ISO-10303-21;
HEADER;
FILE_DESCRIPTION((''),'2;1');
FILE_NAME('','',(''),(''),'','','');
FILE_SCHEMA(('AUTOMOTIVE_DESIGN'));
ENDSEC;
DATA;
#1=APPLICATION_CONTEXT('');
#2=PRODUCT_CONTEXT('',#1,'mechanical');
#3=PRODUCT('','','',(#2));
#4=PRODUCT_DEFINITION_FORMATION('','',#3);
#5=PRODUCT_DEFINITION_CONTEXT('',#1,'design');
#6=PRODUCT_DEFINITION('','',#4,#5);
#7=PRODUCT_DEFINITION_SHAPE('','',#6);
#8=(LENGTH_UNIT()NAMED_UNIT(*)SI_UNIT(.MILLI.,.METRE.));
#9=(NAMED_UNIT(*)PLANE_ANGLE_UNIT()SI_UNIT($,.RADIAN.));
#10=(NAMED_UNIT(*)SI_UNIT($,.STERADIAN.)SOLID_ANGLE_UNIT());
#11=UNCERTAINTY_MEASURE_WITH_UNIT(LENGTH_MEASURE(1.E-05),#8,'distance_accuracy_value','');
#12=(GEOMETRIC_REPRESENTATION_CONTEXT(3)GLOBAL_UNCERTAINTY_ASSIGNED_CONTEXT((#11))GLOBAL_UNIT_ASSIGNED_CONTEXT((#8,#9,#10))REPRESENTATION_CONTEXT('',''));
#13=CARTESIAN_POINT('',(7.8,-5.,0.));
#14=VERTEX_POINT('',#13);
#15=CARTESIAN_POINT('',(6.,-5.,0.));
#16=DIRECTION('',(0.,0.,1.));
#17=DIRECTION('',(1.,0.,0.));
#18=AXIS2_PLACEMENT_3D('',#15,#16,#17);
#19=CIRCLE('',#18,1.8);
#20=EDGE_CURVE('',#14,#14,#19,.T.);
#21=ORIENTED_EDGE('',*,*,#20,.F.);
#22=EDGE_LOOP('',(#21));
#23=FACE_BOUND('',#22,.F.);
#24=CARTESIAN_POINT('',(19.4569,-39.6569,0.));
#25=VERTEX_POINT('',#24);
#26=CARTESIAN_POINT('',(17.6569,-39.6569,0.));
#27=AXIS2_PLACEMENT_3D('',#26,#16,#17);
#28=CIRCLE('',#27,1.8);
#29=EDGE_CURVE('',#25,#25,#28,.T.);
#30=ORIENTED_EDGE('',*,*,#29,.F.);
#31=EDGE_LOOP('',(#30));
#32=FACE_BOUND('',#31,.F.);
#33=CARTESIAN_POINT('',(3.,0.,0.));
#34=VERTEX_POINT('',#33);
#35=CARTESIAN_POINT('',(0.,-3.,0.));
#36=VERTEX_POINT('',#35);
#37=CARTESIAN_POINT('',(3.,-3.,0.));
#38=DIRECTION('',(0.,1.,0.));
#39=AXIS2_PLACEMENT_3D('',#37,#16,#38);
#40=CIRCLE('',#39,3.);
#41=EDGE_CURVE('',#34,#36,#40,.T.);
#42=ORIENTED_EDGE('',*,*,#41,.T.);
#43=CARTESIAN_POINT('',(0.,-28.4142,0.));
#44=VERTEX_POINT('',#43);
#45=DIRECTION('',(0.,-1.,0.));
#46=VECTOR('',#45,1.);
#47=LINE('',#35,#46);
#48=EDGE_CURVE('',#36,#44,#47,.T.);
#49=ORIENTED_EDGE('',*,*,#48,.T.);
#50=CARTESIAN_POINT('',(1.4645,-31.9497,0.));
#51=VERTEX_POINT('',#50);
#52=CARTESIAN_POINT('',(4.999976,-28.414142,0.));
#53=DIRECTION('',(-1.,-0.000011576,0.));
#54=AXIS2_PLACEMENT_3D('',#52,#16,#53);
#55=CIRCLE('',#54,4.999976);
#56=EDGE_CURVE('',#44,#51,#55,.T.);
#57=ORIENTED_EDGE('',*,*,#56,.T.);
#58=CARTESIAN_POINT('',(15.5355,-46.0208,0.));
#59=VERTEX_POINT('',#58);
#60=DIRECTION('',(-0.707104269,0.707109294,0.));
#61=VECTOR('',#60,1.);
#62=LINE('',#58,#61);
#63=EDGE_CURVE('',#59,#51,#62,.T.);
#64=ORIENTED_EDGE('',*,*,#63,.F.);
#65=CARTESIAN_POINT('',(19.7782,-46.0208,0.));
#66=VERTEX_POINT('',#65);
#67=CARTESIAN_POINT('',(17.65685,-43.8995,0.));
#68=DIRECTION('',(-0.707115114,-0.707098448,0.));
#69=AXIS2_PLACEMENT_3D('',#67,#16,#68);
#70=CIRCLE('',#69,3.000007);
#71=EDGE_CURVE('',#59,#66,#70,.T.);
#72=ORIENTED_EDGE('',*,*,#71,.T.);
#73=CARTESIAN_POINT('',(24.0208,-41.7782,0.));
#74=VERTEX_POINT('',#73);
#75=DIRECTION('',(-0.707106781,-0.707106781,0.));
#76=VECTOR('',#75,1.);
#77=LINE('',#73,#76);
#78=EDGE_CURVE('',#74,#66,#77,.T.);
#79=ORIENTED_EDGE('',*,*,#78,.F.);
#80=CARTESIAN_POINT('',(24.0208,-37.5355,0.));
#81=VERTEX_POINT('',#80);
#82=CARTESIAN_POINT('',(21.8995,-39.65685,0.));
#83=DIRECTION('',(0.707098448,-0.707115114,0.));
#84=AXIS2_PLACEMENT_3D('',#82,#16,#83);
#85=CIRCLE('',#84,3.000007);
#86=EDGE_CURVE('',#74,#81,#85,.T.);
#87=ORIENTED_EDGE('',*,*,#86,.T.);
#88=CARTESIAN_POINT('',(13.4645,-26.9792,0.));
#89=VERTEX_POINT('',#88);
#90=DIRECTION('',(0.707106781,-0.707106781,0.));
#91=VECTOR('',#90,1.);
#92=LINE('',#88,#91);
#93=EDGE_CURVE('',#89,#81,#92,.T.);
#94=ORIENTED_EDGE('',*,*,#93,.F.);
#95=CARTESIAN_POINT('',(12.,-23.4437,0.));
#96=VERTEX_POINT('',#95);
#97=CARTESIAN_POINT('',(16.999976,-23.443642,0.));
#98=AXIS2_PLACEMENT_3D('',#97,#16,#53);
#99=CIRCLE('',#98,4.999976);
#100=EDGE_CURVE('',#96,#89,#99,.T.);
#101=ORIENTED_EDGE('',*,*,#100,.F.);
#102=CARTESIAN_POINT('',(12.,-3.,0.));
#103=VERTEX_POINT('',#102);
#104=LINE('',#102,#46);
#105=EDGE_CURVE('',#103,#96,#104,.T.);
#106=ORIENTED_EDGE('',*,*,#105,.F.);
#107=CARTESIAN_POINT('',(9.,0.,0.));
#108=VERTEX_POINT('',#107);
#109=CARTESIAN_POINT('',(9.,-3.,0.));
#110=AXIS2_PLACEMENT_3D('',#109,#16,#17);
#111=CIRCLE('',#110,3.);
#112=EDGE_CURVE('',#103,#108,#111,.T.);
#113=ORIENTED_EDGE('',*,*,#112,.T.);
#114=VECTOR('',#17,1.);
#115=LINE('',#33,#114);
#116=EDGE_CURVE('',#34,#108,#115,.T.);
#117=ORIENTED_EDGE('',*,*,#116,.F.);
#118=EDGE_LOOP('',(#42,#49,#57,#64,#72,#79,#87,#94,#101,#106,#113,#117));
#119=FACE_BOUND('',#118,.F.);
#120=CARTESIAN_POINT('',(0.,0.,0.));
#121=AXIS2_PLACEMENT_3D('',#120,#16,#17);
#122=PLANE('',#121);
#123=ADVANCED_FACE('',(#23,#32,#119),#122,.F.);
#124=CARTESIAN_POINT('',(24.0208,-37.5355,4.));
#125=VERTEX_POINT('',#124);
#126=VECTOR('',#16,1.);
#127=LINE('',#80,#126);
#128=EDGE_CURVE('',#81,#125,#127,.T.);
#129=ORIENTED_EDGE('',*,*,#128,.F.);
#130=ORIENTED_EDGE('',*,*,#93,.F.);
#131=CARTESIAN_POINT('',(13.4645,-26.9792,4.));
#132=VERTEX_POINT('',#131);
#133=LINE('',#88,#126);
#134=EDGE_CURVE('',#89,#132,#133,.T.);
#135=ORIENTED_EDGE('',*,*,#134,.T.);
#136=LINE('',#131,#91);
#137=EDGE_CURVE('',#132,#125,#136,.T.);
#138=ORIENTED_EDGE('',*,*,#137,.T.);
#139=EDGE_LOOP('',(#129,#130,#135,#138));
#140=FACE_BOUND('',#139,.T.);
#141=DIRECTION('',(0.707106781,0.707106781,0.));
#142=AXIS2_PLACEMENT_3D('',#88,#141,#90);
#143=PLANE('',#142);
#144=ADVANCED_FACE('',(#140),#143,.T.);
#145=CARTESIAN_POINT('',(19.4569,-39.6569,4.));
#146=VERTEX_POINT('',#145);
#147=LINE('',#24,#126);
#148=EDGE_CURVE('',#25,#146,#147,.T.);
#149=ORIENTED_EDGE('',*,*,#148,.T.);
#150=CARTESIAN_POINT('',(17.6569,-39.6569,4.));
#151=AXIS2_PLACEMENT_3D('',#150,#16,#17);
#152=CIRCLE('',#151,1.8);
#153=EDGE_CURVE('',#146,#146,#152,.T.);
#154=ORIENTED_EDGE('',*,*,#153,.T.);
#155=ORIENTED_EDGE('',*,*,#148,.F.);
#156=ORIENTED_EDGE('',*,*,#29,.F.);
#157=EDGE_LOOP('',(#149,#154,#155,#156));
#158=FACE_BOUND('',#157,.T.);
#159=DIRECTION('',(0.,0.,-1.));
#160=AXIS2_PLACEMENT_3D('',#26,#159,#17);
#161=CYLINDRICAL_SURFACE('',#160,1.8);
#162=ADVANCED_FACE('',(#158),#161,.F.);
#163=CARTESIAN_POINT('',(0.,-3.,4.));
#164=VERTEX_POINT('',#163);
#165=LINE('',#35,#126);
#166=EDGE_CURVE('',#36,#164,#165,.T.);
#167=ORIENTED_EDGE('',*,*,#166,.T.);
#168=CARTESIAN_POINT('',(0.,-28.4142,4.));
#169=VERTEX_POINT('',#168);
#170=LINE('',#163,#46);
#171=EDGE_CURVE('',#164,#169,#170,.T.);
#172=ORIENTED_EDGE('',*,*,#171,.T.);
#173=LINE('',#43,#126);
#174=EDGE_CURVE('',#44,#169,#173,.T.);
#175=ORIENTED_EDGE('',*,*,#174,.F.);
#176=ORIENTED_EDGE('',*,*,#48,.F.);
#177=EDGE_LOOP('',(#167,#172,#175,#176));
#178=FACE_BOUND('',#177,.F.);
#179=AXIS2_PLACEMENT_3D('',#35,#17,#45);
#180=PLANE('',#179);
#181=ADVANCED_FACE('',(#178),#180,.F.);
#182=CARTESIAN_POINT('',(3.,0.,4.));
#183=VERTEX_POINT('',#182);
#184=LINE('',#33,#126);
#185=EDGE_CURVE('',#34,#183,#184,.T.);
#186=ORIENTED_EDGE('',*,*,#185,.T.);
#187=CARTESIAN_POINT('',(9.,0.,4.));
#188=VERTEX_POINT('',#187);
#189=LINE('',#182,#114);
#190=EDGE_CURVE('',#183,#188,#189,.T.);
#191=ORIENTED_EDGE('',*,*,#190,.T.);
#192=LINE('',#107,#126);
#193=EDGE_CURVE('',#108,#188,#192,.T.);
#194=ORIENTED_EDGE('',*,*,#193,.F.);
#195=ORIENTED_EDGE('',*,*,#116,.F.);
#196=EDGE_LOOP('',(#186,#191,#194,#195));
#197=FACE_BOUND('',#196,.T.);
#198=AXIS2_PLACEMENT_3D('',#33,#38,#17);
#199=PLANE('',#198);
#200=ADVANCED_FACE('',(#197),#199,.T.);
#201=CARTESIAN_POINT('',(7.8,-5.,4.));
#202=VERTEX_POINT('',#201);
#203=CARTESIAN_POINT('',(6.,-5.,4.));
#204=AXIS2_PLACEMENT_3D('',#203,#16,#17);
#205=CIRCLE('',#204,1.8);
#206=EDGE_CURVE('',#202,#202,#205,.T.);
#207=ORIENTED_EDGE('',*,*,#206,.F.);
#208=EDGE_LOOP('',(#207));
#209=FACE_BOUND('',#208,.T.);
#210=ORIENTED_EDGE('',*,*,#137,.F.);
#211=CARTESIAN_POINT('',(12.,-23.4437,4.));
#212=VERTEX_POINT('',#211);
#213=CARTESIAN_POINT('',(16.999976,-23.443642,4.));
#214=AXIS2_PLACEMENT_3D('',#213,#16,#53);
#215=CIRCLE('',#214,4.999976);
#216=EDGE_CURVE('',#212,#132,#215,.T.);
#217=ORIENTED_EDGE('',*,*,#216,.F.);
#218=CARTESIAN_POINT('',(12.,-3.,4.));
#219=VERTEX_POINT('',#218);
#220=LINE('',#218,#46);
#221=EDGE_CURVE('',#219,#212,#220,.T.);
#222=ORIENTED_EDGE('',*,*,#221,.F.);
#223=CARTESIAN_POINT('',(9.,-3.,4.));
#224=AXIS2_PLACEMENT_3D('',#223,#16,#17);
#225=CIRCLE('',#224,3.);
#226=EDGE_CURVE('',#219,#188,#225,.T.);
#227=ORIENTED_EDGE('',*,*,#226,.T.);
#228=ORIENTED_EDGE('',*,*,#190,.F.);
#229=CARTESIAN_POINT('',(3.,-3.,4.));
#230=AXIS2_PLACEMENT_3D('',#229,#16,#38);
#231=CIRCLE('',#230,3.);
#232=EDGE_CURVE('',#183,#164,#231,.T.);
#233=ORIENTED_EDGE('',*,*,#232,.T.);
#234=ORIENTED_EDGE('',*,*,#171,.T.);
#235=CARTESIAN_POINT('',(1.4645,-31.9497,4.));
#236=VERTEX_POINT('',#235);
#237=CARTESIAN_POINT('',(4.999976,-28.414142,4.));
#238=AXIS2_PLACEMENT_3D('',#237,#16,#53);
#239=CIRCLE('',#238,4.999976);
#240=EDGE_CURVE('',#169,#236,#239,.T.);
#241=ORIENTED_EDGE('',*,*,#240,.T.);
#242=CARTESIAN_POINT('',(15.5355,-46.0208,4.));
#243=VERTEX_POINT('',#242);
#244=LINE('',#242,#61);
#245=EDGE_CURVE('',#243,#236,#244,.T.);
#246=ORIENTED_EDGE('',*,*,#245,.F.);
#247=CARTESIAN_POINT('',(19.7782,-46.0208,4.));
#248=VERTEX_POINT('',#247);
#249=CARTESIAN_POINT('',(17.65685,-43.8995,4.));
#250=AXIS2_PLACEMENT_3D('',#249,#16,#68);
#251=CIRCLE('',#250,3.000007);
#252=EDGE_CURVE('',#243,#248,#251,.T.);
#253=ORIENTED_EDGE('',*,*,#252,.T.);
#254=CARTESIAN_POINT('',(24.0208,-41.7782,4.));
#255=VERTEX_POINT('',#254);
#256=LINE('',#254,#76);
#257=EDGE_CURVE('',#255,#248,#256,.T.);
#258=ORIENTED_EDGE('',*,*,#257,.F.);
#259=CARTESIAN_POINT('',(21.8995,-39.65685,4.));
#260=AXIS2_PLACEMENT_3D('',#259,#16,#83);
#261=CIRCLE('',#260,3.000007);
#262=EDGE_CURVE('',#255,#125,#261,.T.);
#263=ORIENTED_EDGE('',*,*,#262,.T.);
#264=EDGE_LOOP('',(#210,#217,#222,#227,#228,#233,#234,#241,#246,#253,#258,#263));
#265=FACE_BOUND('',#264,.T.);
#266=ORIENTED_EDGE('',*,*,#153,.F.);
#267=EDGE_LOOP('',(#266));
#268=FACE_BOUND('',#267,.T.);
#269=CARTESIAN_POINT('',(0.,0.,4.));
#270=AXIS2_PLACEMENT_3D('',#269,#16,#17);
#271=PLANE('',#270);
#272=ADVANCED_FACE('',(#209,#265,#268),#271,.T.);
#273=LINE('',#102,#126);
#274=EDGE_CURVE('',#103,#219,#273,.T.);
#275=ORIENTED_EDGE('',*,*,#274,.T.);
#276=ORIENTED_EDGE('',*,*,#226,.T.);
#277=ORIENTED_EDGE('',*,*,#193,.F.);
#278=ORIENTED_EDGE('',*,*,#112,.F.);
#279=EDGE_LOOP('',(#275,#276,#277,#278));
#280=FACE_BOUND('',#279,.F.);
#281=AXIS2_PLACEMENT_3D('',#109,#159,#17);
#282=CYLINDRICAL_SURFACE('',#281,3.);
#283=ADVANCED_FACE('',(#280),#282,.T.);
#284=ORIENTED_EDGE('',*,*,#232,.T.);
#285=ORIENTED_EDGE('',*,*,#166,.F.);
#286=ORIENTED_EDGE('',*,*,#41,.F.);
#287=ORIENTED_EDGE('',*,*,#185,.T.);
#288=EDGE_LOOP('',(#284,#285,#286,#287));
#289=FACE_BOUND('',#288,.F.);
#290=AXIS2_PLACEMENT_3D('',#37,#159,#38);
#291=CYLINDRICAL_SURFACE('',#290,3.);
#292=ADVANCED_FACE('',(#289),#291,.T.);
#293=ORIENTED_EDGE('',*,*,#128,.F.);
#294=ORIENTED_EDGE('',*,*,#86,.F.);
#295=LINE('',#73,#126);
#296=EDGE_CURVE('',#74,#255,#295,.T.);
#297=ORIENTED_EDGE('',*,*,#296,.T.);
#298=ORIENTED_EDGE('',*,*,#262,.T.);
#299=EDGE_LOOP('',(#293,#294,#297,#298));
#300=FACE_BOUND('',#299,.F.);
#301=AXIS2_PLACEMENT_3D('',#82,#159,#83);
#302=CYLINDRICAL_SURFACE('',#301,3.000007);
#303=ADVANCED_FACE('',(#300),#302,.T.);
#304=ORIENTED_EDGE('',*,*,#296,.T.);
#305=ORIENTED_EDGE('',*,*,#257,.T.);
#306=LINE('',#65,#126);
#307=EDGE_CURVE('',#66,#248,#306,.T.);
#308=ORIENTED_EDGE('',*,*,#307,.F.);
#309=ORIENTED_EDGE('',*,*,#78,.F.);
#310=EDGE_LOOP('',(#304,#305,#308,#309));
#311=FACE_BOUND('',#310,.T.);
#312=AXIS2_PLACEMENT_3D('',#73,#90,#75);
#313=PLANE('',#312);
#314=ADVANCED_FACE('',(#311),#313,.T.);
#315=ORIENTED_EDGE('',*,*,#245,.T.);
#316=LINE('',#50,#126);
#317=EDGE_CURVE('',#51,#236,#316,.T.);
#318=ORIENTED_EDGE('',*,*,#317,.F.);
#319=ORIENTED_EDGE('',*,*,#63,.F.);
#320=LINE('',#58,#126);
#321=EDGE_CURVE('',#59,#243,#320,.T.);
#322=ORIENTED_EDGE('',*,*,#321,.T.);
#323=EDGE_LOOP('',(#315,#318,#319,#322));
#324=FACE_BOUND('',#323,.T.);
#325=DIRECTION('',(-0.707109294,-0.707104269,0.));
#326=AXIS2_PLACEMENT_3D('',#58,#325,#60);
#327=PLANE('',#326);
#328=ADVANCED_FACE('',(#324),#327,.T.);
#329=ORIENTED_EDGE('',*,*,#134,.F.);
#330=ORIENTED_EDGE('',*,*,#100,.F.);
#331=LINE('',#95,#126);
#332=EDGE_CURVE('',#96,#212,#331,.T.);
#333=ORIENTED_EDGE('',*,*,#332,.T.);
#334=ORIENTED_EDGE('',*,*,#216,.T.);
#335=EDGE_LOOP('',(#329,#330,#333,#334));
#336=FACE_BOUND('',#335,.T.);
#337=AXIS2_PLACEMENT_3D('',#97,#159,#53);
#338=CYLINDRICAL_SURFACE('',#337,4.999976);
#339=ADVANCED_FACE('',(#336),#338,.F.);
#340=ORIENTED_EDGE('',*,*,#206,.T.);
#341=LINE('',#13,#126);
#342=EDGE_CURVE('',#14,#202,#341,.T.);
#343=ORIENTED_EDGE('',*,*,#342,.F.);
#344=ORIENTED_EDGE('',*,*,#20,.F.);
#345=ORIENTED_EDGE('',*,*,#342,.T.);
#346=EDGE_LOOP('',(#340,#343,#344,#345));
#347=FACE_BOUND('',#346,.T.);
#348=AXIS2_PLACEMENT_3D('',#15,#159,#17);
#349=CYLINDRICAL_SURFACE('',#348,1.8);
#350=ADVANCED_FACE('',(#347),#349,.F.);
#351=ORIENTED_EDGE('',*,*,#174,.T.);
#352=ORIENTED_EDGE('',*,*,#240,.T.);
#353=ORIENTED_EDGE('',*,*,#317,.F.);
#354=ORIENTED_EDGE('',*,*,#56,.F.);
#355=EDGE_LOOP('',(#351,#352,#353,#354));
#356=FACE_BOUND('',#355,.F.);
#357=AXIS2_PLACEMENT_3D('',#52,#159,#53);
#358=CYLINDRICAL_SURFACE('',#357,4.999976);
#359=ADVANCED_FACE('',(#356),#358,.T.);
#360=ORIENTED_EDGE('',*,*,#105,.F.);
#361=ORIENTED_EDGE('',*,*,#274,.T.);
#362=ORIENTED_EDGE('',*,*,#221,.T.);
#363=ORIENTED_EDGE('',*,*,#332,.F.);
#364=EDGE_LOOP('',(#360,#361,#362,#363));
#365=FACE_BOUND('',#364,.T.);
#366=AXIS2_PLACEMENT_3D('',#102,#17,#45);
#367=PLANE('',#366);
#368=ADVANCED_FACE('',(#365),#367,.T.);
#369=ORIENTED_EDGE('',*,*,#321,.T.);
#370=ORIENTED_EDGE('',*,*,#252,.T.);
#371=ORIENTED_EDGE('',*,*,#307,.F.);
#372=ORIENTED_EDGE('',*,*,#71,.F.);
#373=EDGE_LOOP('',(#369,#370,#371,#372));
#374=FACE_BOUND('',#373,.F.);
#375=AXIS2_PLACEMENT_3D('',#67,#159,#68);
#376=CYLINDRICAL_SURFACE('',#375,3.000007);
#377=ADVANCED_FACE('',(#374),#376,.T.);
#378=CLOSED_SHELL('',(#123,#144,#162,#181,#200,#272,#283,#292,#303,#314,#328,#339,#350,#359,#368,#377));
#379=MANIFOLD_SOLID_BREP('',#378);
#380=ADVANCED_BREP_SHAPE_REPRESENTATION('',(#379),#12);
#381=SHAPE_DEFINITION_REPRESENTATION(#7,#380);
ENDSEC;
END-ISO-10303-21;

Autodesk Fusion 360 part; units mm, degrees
sketch "Sketch1" plane through (0, 0, 0) normal (0, 0, 1) x (1, 0, 0)
  line L0 (0, -3) -> (0, -28.4142)
  line L1 (3, 0) -> (9, 0)
  line L2 (12, -3) -> (12, -23.4437)
  circle A0 centre (6, -5) radius 1.8
  arc A1 (3, 0) -> (0, -3) centre (3, -3) ccw
  arc A2 (12, -3) -> (9, 0) centre (9, -3) ccw
  line L3 (13.4645, -26.9792) -> (24.0208, -37.5355)
  line L4 (24.0208, -41.7782) -> (19.7782, -46.0208)
  line L5 (15.5355, -46.0208) -> (1.4645, -31.9497)
  arc A3 (24.0208, -41.7782) -> (24.0208, -37.5355) centre (21.8995, -39.6569) ccw
  arc A4 (15.5355, -46.0208) -> (19.7782, -46.0208) centre (17.6569, -43.8995) ccw
  arc A5 (12, -23.4437) -> (13.4645, -26.9792) centre (17, -23.4437) ccw
  arc A6 (0, -28.4142) -> (1.4645, -31.9497) centre (5, -28.4142) ccw
  circle A7 centre (17.6569, -39.6569) radius 1.8
  point P0 (0, -25)
  point P1 (12, 0)
  point P2 (12, -25)
  point P3 (12, -25.5147)
  point P4 (26.1421, -39.6569)
  point P5 (17.6569, -48.1421)
  dimension "d19" = 25
  dimension "d22" = 12
  dimension "d23" = 25
  dimension "d25" = 3.6
  dimension "d26" = 6
  dimension "d27" = 5
  dimension "d30" = 3
  dimension "d31" = 3
  dimension "d41" = 20
  dimension "d42" = 135
  dimension "d43" = 12
  dimension "d44" = 135
  dimension "d45" = 3
  dimension "d46" = 5
  dimension "d47" = 5
  dimension "d48" = 3.6
  dimension "d49" = 6
  dimension "d50" = 6
extrude "Extrude2" add sketch "Sketch1" along normal blind 4
